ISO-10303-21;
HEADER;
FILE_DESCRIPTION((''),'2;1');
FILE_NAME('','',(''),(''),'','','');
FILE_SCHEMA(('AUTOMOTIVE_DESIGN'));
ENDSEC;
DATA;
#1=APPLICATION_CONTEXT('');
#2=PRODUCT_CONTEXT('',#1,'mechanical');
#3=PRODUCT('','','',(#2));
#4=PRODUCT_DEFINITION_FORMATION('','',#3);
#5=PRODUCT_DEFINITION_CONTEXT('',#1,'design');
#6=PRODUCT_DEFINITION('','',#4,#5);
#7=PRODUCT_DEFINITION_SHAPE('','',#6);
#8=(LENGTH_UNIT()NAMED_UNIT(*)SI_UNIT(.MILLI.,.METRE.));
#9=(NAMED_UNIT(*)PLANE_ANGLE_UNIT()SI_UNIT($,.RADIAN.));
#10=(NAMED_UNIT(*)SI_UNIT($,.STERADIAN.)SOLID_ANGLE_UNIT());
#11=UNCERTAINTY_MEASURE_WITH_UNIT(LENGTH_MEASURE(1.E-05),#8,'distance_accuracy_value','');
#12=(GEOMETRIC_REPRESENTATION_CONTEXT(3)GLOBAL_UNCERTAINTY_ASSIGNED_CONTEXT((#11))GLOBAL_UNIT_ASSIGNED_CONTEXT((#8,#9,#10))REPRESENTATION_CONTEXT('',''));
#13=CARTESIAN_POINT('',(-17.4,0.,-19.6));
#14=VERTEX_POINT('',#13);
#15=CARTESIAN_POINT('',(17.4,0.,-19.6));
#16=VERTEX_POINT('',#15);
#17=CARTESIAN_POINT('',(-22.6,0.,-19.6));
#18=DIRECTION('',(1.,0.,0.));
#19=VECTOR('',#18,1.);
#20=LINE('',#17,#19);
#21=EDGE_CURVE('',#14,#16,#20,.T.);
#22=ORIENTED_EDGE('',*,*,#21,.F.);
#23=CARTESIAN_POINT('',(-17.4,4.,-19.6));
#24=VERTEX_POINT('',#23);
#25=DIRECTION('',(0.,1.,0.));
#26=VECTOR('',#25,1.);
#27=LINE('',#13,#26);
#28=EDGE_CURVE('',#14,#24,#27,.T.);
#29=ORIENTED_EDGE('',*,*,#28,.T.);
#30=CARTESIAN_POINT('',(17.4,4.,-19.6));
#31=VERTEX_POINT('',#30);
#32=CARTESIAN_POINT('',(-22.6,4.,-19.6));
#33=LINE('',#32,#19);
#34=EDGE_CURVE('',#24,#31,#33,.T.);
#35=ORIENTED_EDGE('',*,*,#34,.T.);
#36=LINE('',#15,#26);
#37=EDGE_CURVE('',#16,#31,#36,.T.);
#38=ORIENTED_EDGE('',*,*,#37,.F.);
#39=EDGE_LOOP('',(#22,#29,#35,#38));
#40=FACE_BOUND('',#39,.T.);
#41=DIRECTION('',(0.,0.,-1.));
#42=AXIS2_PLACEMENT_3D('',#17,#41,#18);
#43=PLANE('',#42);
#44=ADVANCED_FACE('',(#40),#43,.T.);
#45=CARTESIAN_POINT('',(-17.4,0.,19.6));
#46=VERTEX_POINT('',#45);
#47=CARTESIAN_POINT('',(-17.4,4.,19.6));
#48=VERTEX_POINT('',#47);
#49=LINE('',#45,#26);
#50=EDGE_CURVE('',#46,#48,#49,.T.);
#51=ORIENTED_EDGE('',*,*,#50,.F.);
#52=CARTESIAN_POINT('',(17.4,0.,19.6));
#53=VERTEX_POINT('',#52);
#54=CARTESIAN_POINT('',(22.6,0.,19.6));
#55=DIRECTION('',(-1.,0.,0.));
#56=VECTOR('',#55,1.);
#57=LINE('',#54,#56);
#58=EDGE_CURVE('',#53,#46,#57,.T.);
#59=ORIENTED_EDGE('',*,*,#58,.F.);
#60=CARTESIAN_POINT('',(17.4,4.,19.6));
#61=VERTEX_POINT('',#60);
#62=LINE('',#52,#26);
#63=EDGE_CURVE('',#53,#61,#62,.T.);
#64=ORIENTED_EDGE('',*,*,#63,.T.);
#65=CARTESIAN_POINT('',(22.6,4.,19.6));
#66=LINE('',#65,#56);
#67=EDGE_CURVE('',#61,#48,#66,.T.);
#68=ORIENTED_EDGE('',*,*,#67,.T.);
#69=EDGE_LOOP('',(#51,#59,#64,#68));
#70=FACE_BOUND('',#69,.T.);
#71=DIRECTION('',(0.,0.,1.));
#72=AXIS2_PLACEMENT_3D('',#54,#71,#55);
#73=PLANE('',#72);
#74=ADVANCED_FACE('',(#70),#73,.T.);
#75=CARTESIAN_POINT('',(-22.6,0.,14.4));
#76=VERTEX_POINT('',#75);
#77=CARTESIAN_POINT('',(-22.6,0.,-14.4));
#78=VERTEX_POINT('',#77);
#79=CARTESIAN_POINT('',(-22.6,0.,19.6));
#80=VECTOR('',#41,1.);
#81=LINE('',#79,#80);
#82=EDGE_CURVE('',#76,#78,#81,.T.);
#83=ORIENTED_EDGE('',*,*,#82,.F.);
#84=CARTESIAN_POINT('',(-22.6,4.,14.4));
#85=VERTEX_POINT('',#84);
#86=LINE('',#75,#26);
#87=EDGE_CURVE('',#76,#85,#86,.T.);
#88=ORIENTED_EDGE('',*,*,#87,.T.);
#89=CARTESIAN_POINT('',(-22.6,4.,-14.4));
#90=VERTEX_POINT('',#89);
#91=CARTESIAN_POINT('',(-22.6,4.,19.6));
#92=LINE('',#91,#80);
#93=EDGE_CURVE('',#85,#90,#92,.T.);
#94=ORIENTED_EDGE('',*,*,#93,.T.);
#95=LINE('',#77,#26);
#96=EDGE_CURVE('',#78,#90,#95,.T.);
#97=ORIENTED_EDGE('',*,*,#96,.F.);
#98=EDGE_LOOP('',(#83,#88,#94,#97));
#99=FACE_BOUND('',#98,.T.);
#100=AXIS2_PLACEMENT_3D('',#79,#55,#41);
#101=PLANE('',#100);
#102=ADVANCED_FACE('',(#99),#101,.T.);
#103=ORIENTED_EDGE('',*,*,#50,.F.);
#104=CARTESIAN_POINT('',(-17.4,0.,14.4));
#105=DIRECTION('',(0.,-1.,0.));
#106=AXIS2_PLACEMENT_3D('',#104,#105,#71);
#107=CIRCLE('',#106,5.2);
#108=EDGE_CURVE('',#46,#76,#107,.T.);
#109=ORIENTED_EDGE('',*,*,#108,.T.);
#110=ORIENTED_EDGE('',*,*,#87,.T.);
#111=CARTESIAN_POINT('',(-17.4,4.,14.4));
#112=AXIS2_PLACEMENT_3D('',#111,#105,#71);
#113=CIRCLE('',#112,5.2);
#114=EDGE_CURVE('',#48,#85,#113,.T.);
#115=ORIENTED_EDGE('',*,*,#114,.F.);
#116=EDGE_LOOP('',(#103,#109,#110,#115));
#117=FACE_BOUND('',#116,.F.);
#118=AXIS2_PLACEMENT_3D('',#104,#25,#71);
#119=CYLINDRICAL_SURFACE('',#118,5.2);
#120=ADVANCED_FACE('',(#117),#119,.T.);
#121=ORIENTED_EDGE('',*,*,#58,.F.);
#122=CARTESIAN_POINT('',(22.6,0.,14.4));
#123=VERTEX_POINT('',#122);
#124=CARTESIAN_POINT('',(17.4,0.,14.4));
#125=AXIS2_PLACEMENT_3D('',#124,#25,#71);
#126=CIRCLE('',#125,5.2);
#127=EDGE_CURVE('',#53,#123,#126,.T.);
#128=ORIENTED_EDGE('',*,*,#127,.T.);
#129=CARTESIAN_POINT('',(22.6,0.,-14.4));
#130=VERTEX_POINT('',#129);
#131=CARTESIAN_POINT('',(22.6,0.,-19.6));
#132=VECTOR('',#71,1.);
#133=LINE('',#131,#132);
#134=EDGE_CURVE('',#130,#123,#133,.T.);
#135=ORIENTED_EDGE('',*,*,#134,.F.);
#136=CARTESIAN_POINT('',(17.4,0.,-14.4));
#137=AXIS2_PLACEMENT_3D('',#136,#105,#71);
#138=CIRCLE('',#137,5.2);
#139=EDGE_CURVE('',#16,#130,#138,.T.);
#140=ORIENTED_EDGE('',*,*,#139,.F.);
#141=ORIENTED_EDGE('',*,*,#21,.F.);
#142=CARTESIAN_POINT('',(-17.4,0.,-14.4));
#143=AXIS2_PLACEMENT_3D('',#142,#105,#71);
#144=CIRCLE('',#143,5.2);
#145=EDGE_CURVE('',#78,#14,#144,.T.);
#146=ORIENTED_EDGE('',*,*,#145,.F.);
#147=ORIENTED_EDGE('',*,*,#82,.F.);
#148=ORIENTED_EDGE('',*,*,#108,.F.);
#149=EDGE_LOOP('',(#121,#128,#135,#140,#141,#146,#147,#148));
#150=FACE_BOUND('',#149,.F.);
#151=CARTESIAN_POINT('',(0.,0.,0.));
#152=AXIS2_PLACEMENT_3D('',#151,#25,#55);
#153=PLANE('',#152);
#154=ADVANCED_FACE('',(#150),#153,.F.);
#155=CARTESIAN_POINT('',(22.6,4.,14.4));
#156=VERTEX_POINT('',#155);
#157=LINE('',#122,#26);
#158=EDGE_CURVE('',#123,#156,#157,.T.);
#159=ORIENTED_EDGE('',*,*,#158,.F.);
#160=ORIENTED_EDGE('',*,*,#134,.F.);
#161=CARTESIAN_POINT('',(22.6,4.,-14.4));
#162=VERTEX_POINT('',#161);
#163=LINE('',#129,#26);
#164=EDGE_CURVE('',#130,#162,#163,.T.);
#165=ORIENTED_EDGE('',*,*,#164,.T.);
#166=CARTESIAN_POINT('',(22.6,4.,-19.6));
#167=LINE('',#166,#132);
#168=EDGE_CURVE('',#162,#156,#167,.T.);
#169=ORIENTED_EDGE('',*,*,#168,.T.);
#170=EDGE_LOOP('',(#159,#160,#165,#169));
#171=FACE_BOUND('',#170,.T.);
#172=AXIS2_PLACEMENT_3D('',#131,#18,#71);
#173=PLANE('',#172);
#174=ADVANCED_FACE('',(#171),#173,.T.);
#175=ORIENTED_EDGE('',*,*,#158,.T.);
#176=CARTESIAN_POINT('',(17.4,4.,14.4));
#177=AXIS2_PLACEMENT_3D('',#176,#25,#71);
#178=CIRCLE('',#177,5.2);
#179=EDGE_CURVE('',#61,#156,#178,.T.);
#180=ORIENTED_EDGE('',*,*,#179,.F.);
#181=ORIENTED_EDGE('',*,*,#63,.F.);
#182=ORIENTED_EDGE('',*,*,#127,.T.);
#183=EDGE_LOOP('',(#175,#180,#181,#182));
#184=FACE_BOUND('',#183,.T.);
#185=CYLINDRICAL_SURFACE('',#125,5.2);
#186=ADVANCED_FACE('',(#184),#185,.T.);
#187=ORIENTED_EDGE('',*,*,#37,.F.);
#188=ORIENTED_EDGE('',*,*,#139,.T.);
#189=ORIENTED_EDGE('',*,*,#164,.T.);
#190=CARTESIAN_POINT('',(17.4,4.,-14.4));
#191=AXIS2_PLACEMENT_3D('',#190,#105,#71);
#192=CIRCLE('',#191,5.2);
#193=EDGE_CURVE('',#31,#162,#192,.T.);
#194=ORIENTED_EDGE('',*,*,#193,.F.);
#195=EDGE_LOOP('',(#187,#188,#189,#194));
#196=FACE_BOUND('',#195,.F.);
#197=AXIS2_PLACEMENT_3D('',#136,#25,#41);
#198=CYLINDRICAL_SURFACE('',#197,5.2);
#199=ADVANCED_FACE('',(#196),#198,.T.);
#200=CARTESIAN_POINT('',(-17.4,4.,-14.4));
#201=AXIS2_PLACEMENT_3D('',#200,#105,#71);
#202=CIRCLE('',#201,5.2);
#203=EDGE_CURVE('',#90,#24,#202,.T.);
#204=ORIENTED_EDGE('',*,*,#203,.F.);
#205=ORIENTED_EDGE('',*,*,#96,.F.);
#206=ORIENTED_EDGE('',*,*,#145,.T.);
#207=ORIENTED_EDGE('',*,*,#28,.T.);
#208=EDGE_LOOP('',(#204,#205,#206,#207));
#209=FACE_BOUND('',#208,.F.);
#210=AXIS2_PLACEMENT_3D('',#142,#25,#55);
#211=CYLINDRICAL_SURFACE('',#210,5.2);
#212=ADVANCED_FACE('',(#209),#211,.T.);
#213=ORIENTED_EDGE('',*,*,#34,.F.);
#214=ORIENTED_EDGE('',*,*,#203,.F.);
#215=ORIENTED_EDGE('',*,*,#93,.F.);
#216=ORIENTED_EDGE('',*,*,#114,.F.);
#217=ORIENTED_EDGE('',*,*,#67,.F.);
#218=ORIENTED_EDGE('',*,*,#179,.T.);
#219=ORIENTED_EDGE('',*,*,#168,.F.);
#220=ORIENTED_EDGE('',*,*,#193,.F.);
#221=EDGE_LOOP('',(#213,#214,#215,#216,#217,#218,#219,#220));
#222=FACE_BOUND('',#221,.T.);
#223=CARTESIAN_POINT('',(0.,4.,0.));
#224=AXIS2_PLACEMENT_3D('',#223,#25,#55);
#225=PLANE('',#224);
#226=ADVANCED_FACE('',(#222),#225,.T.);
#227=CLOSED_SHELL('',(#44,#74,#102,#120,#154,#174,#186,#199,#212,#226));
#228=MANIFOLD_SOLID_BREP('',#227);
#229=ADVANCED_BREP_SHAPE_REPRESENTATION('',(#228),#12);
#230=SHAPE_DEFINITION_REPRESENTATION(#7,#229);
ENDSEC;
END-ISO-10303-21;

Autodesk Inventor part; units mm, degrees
ref_plane "YZ Plane" through (0, 0, 0) normal (1, 0, 0) x (0, 1, 0)
ref_plane "XZ Plane" through (0, 0, 0) normal (0, 1, 0) x (-1, 0, 0)
ref_plane "XY Plane" through (0, 0, 0) normal (0, 0, 1) x (1, 0, 0)
sketch "Sketch1" plane through (0, 0, 0) normal (0, 1, 0) x (-1, 0, 0)
  line L0 (31.64, 0) -> (-31.64, 0) construction
  line L1 (0, -27.44) -> (0, 27.44) construction
  line L2 (-22.6, 19.6) -> (22.6, 19.6)
  line L3 (22.6, 19.6) -> (22.6, -19.6)
  line L4 (22.6, -19.6) -> (-22.6, -19.6)
  line L5 (-22.6, -19.6) -> (-22.6, 19.6)
  line L6 (-22.6, 0) -> (22.6, 0) construction
  point P0 (0, 0)
  dimension "d0" = 45.2
  dimension "d1" = 39.2
extrude "Extrusion1" add sketch "Sketch1" along normal blind 4
fillet "Fillet1" radius 5.2 4 edges at (-22.6, 2, 19.6) (22.6, 2, 19.6) (22.6, 2, -19.6) (-22.6, 2, -19.6)
properties part number "plexiglas_4mm" material "Glass"
